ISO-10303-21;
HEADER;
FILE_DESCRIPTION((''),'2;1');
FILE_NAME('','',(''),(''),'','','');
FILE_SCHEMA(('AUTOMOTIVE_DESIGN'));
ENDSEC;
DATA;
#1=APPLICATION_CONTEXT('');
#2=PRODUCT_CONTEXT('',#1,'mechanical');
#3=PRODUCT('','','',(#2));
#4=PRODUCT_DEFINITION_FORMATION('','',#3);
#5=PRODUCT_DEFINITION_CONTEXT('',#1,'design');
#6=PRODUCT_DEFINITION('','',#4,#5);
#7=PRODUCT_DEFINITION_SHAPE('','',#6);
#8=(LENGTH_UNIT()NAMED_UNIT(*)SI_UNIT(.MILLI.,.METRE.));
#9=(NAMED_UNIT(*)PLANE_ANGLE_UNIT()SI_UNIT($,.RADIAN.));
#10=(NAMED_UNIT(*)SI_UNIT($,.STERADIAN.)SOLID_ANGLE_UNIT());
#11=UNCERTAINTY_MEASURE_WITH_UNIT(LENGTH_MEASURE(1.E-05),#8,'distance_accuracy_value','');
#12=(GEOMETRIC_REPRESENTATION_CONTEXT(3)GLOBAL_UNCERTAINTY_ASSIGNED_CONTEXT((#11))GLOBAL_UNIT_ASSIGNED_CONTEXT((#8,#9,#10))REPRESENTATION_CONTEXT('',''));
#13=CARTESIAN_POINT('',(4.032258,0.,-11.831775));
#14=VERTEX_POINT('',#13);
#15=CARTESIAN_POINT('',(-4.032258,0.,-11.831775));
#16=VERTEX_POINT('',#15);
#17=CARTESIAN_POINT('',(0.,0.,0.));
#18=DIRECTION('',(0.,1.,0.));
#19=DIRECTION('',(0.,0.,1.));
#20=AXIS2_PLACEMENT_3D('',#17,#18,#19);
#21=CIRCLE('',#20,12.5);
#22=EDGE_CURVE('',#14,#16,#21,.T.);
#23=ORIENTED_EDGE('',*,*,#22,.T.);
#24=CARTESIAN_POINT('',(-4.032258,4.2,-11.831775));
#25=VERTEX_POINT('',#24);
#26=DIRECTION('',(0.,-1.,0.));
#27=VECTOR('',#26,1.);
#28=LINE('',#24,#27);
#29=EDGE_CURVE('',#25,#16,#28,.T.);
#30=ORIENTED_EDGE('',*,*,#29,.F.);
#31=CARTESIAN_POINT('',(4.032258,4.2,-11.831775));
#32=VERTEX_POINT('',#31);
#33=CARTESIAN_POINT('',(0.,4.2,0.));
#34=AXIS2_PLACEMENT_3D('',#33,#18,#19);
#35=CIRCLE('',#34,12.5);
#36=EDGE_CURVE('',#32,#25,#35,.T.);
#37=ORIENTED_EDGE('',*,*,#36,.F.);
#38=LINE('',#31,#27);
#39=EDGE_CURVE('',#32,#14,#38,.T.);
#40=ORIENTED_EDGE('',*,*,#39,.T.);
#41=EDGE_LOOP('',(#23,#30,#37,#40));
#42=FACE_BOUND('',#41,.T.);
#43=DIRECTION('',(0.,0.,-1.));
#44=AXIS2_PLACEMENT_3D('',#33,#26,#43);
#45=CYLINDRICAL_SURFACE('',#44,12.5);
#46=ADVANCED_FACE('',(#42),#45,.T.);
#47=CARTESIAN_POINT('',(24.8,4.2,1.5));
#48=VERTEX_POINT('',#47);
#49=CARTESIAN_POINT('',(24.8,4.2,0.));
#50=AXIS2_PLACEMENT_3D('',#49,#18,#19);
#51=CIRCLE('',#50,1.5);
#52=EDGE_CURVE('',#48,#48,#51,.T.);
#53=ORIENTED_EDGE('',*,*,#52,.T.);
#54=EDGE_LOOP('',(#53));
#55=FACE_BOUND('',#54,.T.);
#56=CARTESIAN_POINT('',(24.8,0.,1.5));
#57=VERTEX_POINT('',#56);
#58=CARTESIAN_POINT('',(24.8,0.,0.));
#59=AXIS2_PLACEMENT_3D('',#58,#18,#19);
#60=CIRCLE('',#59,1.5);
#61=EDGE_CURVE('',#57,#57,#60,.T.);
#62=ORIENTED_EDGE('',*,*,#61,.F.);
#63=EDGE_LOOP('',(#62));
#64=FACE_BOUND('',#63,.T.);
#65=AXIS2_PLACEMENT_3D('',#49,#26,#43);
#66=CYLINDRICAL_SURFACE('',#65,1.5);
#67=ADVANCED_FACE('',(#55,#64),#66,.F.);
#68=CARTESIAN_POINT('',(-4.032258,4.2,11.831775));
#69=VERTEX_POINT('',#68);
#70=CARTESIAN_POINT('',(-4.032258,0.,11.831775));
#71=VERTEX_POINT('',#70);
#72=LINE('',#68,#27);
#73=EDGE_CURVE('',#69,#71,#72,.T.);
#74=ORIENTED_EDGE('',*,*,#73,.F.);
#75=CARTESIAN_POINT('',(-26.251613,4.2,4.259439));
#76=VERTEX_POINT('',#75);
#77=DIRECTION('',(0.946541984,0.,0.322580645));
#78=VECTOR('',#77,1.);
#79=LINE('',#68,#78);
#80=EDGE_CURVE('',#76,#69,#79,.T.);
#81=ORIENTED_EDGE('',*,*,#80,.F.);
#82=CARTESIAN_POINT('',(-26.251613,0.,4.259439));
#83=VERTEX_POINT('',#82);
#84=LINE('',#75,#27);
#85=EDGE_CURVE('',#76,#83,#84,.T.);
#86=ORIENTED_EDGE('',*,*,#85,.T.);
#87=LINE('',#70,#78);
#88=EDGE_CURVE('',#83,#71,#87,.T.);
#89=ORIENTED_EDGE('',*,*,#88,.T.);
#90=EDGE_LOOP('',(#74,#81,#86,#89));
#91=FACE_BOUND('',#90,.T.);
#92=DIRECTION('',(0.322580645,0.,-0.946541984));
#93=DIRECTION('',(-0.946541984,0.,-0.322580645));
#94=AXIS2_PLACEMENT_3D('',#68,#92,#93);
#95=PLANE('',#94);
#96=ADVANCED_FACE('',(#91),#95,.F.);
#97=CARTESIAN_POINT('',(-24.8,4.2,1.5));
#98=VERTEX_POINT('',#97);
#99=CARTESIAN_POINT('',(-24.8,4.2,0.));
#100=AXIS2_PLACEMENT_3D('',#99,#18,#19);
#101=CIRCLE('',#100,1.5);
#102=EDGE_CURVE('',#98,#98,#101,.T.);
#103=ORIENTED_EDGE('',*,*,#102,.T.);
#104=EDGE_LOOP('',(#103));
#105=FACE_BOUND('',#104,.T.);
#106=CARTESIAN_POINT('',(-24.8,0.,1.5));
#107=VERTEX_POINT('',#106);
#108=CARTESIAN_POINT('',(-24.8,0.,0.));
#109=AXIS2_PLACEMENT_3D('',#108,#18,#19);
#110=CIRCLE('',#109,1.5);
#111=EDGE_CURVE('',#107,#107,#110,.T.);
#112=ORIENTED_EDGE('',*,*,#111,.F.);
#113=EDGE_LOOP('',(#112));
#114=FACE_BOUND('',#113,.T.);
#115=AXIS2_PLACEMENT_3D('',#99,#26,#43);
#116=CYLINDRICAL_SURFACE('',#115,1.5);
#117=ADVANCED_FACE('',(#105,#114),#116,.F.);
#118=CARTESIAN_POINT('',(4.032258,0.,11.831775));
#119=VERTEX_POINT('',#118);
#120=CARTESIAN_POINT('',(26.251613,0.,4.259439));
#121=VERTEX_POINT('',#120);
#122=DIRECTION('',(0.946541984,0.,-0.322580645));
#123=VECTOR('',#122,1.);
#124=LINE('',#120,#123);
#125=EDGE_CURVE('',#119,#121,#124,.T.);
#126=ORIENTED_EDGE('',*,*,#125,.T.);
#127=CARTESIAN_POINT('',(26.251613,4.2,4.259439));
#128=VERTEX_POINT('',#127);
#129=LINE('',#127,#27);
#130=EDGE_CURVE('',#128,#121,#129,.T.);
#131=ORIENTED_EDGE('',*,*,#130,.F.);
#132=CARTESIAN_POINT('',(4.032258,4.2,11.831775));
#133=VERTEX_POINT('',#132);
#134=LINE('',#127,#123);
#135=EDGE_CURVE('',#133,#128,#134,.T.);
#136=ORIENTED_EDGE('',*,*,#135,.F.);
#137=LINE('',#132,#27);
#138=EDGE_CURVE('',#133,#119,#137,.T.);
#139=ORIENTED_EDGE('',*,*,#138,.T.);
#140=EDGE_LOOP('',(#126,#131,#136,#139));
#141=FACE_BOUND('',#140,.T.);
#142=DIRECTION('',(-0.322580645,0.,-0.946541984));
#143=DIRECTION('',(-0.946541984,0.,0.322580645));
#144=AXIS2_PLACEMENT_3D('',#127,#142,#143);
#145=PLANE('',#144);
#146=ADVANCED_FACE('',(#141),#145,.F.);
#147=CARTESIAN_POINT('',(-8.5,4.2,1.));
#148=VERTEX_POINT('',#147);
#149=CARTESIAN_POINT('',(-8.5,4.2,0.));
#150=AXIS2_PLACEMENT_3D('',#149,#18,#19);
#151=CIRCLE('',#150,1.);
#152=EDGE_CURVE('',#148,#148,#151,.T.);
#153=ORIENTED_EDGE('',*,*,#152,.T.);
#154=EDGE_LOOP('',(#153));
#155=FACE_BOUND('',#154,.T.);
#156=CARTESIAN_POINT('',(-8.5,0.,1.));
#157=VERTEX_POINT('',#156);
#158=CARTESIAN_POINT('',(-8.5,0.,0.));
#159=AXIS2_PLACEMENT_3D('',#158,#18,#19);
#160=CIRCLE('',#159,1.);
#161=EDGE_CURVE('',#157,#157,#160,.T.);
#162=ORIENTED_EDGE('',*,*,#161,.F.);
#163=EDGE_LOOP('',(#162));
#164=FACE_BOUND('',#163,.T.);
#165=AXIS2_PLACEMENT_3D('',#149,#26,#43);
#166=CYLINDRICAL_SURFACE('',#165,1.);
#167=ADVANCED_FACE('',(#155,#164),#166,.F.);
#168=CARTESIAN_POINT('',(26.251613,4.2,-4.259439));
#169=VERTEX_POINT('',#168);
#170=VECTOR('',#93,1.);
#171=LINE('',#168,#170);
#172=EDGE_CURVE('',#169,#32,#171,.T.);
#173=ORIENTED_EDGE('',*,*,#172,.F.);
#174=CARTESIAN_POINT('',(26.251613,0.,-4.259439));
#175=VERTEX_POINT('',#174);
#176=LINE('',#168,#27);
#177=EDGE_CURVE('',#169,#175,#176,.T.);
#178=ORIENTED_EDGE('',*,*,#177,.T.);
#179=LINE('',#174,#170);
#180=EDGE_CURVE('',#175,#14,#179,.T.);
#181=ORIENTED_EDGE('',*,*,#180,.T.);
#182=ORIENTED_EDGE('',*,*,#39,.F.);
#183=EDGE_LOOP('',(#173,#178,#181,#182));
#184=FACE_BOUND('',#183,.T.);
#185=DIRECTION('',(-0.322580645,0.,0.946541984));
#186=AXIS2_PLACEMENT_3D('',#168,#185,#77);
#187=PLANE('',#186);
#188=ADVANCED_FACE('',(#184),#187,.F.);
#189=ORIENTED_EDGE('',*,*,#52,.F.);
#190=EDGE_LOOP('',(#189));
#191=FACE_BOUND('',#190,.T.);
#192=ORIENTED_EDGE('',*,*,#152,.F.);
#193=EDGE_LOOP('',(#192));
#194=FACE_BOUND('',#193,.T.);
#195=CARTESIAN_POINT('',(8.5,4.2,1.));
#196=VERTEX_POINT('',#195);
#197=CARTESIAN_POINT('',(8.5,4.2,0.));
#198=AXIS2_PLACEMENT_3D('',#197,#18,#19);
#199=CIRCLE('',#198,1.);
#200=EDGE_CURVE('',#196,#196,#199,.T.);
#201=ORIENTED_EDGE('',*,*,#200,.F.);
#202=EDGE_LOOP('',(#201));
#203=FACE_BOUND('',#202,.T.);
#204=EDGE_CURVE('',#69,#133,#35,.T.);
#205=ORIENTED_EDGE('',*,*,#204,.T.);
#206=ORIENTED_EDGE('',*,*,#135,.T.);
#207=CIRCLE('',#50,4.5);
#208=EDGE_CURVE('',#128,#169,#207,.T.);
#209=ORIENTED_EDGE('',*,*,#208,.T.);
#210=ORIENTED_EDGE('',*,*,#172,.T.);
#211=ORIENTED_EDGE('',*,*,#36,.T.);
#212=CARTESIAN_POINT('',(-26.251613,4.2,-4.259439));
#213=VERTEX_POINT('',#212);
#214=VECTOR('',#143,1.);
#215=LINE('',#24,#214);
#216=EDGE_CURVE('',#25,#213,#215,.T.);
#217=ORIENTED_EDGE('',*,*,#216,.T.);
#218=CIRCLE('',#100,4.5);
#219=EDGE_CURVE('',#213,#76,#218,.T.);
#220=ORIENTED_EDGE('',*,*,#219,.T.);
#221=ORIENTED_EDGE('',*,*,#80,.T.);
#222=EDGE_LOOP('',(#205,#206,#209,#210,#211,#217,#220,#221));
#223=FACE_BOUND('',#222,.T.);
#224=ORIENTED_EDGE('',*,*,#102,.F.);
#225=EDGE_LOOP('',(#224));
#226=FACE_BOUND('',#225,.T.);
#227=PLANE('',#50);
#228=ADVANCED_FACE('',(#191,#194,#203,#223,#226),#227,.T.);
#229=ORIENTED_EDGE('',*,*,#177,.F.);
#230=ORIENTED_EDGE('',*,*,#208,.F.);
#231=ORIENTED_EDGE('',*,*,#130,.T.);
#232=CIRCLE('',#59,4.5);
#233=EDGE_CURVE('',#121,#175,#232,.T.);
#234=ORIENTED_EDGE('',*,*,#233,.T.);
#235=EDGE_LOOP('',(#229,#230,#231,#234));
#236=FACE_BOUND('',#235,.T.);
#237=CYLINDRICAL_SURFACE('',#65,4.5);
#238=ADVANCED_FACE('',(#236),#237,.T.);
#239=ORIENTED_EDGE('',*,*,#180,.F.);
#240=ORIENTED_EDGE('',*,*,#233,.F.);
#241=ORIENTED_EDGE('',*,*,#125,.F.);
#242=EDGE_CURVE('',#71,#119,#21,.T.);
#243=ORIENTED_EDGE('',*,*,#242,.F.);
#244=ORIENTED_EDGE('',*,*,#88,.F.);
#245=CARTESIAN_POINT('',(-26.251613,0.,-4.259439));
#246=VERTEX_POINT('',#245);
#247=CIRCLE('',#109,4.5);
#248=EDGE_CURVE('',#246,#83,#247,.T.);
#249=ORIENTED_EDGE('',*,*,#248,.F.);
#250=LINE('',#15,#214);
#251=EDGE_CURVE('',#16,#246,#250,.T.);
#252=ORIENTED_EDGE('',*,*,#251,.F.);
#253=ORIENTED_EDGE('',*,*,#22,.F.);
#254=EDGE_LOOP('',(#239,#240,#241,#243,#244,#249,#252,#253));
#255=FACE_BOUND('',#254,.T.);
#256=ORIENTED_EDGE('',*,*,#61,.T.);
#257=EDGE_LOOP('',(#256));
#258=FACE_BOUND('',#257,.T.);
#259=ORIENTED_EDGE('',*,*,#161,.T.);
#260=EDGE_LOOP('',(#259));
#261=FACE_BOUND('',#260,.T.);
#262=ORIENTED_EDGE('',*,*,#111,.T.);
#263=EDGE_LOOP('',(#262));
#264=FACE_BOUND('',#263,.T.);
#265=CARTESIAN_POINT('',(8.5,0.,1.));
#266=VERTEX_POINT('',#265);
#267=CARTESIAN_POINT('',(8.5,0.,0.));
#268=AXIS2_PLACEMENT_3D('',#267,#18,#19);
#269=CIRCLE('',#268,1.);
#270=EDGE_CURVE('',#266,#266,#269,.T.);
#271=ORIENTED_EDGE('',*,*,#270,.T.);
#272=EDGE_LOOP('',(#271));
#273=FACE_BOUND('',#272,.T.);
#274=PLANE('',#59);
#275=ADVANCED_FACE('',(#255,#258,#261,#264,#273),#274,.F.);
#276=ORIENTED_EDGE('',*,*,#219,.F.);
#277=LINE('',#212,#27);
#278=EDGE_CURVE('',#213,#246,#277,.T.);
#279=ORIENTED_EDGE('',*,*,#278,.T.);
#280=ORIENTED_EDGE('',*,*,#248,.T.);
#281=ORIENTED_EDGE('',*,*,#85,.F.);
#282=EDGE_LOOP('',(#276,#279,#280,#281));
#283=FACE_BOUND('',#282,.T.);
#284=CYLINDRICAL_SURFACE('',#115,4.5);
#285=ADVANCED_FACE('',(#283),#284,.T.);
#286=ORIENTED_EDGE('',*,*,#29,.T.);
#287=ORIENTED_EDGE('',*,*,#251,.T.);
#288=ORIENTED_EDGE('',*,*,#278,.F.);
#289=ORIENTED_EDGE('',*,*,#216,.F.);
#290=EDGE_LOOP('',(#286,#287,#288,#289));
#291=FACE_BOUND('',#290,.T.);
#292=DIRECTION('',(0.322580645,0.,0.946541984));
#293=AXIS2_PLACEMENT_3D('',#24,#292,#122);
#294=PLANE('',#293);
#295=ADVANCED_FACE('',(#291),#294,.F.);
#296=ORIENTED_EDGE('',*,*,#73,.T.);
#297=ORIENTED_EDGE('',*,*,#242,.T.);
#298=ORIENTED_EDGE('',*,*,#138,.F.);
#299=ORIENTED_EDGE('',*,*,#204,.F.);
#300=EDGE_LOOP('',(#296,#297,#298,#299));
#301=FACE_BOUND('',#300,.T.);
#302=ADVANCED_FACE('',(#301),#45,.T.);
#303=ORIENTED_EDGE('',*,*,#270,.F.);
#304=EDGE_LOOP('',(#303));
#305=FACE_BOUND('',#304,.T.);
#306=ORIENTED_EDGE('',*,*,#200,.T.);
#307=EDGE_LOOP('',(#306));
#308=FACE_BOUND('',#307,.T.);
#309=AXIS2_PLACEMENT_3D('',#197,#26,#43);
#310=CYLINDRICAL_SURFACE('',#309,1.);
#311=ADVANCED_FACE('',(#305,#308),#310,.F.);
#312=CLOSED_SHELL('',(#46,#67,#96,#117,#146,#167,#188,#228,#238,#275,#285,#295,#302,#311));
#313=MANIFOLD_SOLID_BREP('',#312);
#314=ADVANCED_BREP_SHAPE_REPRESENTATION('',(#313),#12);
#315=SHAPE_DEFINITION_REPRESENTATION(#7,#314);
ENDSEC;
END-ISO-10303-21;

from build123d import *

# Parameters (mm, degrees)
CROQUIS1_R              = 1.5
CROQUIS1_R_2            = 1
SALIENTE_EXTRUIR1_DEPTH = 4.2


with BuildPart() as part:
    # Croquis1 → Saliente-Extruir1 (new body)
    with BuildSketch(Plane(origin=(0, 0, 0), x_dir=(1, 0, 0), z_dir=(0, 1, 0))):
        with BuildLine():
            Line((26.251612903, 4.259438928), (4.032258065, 11.831774799))
            ThreePointArc((4.032258065, 11.831774799), (0, 12.5), (-4.032258065, 11.831774799))
            Line((-4.032258065, 11.831774799), (-26.251612903, 4.259438928))
            ThreePointArc((-26.251612903, 4.259438928), (-29.3, 0), (-26.251612903, -4.259438928))
            Line((-26.251612903, -4.259438928), (-4.032258065, -11.831774799))
            ThreePointArc((-4.032258065, -11.831774799), (0, -12.5), (4.032258065, -11.831774799))
            Line((4.032258065, -11.831774799), (26.251612903, -4.259438928))
            ThreePointArc((26.251612903, -4.259438928), (29.3, 0), (26.251612903, 4.259438928))
        make_face()
        with Locations(Location((24.8, 0, 0), (0, 0, 270))):
            Circle(CROQUIS1_R, mode=Mode.SUBTRACT)
        with Locations(Location((-24.8, 0, 0), (0, 0, 270))):
            Circle(CROQUIS1_R, mode=Mode.SUBTRACT)
        with Locations(Location((8.5, 0, 0), (0, 0, 270))):
            Circle(CROQUIS1_R_2, mode=Mode.SUBTRACT)
        with Locations(Location((-8.5, 0, 0), (0, 0, 270))):
            Circle(CROQUIS1_R_2, mode=Mode.SUBTRACT)
    extrude(amount=SALIENTE_EXTRUIR1_DEPTH)


solid = part.part
